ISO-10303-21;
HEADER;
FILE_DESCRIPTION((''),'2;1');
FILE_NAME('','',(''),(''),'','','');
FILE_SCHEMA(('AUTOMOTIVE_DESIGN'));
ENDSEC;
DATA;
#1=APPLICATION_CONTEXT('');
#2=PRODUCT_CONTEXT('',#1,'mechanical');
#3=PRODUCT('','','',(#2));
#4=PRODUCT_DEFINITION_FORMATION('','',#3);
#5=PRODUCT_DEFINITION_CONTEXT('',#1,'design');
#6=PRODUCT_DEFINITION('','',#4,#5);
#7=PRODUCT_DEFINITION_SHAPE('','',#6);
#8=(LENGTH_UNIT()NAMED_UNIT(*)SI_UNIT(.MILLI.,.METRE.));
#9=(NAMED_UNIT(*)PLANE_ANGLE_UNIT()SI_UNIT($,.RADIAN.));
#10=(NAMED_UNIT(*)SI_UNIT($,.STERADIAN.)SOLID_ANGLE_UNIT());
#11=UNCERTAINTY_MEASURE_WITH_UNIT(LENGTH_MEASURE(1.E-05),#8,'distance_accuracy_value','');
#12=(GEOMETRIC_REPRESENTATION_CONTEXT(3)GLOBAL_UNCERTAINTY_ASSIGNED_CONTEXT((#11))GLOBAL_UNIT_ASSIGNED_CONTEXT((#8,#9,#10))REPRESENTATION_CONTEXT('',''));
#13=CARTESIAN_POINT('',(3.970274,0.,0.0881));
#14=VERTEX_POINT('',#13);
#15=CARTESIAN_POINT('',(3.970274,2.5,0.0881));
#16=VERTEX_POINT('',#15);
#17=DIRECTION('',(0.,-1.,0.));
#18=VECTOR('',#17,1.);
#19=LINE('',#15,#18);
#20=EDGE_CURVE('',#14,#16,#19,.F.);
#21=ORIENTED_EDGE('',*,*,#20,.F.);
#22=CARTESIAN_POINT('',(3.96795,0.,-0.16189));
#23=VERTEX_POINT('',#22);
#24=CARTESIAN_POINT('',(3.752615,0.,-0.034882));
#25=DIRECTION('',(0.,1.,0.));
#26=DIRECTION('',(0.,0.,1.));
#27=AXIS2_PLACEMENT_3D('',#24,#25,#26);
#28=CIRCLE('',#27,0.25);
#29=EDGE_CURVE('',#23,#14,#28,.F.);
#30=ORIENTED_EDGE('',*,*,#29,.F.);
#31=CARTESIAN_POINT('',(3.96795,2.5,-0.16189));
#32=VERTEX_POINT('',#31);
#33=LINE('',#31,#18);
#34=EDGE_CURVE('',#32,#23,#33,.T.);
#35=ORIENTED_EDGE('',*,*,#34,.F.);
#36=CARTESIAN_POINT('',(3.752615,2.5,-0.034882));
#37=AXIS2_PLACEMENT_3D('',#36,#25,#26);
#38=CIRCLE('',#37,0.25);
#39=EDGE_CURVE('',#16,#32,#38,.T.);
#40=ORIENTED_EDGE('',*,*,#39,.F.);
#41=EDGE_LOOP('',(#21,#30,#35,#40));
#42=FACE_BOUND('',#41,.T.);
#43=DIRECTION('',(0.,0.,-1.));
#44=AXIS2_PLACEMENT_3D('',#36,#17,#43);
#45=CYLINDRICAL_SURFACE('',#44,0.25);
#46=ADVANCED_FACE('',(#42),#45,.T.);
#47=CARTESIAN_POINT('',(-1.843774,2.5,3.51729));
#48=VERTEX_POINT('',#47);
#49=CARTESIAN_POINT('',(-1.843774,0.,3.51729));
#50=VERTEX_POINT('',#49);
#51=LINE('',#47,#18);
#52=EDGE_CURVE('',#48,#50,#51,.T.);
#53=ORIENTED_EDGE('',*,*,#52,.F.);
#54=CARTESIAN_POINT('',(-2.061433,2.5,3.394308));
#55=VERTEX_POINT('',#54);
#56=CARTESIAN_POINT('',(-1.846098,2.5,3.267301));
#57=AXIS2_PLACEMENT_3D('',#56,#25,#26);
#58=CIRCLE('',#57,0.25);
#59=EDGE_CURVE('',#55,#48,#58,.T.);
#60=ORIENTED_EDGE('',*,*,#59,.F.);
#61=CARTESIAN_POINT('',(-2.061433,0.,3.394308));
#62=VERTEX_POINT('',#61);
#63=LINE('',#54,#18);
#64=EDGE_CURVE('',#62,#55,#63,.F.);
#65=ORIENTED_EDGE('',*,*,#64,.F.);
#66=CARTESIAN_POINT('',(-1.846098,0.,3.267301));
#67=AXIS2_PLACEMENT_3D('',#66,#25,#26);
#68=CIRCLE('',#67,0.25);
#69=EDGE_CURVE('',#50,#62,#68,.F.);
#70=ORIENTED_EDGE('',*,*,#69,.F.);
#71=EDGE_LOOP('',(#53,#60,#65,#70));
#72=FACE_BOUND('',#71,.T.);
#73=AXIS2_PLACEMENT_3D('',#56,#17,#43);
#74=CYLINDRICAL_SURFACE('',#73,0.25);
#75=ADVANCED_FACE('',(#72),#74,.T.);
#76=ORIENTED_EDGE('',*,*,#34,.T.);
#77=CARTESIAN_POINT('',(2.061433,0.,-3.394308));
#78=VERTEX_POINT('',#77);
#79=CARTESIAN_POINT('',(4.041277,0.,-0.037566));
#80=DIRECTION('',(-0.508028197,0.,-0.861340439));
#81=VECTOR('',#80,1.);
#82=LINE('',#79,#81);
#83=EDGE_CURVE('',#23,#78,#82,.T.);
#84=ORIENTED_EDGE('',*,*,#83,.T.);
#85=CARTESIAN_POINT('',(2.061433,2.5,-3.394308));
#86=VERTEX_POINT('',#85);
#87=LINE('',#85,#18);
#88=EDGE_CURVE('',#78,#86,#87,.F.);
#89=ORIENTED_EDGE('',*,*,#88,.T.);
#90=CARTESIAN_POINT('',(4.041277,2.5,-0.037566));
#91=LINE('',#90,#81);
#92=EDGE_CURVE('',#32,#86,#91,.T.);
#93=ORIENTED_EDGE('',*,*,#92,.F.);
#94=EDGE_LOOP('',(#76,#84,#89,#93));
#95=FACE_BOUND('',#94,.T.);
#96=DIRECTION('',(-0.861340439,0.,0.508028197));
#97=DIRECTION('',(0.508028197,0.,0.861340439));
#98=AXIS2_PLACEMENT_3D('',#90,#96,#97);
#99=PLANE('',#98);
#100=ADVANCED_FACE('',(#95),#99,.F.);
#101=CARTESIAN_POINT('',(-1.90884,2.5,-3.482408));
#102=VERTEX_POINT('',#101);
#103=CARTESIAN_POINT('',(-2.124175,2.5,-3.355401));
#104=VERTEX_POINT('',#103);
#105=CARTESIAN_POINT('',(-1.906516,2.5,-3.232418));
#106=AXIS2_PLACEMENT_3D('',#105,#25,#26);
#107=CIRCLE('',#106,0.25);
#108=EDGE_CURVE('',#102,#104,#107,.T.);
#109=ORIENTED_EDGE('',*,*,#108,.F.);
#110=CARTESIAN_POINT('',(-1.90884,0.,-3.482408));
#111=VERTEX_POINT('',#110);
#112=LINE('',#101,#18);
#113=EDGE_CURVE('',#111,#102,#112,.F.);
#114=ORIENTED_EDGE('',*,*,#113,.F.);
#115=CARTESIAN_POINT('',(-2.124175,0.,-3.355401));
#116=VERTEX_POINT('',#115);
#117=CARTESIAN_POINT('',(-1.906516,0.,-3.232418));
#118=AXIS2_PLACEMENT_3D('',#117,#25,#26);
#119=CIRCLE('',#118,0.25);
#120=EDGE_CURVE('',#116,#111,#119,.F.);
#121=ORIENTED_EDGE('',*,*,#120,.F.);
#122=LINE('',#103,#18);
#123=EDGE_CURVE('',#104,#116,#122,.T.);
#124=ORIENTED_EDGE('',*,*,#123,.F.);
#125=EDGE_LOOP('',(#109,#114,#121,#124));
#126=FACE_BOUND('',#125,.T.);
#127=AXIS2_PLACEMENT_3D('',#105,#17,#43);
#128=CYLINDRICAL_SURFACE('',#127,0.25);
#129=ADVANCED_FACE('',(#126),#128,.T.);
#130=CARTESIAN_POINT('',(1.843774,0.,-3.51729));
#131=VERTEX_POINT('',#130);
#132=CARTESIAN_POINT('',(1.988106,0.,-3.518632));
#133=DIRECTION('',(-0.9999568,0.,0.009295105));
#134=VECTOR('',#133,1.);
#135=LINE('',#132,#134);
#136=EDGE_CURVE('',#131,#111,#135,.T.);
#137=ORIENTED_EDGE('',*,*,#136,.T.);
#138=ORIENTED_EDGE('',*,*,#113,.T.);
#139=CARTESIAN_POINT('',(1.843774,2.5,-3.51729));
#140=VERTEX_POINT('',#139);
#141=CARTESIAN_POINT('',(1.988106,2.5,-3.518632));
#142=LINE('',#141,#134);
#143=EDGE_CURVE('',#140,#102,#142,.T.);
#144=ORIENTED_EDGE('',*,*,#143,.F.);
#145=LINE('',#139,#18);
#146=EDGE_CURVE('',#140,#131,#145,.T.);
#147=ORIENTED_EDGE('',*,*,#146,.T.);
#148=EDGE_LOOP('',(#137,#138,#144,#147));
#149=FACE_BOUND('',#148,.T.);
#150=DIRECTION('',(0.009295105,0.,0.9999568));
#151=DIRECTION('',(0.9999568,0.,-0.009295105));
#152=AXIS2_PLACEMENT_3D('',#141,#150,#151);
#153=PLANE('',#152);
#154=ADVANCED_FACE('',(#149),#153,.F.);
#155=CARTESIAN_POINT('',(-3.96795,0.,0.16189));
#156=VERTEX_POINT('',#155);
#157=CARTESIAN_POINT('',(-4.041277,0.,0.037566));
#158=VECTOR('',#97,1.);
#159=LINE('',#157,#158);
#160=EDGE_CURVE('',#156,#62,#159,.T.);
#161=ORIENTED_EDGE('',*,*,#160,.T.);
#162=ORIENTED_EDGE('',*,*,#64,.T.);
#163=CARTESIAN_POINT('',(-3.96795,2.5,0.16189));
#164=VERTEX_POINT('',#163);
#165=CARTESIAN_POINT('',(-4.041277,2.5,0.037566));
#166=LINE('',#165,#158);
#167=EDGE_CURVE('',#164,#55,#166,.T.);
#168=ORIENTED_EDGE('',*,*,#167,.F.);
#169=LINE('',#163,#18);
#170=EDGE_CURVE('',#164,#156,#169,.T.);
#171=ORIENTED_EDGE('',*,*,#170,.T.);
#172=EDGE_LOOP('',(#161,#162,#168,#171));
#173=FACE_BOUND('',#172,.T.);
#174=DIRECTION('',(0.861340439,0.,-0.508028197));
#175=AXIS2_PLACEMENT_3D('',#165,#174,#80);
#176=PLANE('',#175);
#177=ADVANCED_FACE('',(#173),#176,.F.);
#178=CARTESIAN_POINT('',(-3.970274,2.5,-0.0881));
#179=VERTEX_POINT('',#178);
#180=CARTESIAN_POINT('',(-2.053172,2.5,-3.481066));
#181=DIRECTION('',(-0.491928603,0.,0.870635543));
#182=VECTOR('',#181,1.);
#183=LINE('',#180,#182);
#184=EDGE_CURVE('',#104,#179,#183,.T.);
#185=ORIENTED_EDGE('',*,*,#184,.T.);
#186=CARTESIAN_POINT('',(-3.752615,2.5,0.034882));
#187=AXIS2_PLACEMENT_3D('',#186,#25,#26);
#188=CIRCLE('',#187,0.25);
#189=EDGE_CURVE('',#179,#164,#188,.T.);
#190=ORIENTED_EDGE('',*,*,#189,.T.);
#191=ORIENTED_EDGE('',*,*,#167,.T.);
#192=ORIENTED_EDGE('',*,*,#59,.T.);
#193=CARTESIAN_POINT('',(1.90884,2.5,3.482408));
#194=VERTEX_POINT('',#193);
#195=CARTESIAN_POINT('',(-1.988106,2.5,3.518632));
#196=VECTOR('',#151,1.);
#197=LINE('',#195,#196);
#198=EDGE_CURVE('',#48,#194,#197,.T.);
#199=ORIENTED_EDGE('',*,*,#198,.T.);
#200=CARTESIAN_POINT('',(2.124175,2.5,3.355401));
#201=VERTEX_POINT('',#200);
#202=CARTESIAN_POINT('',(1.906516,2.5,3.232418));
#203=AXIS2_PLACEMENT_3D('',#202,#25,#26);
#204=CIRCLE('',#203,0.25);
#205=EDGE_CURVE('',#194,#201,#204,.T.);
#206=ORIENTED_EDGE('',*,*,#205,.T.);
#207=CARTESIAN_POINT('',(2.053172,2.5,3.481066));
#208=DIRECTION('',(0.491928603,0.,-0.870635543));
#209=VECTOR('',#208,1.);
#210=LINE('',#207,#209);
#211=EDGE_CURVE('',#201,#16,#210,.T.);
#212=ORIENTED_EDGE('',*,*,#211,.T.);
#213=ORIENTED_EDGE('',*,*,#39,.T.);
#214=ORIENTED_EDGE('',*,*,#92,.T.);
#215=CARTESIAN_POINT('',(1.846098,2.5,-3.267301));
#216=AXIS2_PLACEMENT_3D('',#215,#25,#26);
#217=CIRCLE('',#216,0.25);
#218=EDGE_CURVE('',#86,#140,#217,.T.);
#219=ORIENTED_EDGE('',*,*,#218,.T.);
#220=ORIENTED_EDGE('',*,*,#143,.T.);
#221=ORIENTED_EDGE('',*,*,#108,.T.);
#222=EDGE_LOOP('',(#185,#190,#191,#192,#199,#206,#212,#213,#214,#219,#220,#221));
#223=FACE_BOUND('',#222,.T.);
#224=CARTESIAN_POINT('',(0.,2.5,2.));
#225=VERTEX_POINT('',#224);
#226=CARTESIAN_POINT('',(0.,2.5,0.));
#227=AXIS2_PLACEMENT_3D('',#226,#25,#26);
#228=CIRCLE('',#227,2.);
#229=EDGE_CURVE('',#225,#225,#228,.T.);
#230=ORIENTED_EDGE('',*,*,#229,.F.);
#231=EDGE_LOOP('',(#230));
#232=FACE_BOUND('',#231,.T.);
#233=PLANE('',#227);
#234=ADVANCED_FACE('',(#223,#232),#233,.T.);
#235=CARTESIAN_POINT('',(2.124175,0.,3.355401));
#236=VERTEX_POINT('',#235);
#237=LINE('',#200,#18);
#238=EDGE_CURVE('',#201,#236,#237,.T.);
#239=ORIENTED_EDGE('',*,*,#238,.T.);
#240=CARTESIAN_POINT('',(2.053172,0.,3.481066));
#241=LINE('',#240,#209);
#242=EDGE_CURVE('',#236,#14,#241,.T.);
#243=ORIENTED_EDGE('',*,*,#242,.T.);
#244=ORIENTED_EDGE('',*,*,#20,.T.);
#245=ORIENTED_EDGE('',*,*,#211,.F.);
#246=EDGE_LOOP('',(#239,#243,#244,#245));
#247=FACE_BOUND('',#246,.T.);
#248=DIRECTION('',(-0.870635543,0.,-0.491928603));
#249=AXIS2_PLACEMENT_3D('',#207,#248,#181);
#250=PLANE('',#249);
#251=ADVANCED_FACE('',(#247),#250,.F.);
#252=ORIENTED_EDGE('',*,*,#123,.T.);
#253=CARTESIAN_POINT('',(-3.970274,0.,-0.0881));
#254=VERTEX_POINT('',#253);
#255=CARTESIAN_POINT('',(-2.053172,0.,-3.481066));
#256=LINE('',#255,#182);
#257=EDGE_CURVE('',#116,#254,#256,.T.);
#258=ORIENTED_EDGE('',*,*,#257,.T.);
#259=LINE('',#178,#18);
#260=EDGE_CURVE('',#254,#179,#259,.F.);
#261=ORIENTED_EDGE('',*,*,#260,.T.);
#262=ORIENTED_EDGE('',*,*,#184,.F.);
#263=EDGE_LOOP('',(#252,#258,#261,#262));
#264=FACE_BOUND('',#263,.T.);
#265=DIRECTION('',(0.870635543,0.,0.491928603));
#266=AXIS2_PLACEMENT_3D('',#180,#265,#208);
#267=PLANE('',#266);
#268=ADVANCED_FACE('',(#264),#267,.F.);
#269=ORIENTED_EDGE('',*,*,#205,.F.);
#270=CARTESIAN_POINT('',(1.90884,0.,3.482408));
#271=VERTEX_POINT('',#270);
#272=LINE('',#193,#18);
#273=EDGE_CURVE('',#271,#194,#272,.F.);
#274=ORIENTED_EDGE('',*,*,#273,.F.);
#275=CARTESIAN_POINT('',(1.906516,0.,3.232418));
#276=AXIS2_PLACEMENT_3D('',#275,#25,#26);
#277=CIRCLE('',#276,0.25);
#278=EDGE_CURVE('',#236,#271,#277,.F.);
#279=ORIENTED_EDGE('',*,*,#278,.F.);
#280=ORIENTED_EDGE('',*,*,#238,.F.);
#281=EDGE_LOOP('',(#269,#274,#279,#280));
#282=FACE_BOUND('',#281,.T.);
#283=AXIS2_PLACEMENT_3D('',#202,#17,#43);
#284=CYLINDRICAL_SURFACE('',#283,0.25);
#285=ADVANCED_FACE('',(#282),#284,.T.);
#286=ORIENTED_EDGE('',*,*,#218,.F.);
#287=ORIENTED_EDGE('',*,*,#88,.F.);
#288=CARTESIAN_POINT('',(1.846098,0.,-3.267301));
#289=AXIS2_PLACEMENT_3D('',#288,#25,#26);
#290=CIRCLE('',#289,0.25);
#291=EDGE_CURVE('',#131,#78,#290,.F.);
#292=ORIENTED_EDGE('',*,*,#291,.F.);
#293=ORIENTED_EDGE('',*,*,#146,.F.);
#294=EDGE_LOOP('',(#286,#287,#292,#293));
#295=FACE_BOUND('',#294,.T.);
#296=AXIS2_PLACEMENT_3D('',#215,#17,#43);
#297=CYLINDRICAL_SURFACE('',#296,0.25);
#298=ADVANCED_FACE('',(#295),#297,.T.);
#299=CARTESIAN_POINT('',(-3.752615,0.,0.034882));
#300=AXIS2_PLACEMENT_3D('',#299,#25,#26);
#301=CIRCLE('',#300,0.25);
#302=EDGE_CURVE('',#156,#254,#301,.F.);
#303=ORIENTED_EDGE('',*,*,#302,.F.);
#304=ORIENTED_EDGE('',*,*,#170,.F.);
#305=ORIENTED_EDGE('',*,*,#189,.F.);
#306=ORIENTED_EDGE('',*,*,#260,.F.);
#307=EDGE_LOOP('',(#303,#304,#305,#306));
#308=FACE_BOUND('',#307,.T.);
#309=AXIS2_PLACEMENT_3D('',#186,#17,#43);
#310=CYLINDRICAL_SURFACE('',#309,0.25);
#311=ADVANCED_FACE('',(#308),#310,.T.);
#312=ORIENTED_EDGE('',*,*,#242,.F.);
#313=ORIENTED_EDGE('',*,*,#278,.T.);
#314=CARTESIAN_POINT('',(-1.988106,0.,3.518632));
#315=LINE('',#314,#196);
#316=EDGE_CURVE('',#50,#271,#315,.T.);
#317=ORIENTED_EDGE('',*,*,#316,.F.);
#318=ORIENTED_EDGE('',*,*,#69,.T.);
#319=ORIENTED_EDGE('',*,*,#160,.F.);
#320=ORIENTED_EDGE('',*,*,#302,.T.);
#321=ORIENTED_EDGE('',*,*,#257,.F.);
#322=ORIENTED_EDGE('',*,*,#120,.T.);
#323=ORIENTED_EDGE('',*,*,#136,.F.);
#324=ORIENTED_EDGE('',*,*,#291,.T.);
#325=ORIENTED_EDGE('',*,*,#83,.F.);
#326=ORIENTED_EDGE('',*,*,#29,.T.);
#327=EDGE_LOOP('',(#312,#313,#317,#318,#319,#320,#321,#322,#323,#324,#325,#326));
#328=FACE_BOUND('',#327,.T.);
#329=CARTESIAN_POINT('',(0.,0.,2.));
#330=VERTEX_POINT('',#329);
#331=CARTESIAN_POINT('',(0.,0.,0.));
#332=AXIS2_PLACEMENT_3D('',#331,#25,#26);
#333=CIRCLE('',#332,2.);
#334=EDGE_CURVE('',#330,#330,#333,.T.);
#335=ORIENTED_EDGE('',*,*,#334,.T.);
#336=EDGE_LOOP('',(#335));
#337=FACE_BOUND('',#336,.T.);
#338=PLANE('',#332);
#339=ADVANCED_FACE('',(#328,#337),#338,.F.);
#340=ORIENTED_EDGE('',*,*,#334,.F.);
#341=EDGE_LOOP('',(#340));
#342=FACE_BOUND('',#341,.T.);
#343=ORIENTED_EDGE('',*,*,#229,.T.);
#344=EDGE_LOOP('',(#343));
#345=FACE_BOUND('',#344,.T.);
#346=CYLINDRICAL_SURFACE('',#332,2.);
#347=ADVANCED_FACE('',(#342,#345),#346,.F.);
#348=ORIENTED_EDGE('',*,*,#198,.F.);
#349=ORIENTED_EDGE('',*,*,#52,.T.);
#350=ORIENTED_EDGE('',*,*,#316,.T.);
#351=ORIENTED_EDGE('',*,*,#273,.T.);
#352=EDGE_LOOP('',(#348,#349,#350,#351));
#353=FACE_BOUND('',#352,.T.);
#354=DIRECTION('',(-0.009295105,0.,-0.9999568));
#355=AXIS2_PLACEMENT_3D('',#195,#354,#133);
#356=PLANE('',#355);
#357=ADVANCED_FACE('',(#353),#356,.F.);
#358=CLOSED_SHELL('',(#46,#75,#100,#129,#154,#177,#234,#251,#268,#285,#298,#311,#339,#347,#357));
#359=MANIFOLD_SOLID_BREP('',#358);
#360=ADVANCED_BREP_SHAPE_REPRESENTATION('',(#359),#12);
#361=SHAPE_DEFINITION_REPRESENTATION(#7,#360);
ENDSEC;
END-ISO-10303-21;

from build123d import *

# Parameters (mm, degrees)
BOSS_EXTRUDE1_DEPTH = 2.5
SKETCH2_R           = 2
CUT_EXTRUDE1_DEPTH  = 6.912925747
FILLET1_R           = 0.25


with BuildPart() as part:
    # Sketch1 → Boss-Extrude1 (new body)
    with BuildSketch(Plane(origin=(0, 0, 0), x_dir=(1, 0, 0), z_dir=(0, 1, 0))):
        Polygon((1.98810578, 3.518631658), (-2.053171512, 3.481065939), (-4.041277292, -0.037565718), (-1.98810578, -3.518631658), (2.053171512, -3.481065939), (4.041277292, 0.037565718), align=None)
    extrude(amount=BOSS_EXTRUDE1_DEPTH)

    # Sketch2 → Cut-Extrude1 (cut, through all)
    with BuildSketch(Plane(origin=(0, 2.5, 0), x_dir=(1, 0, 0), z_dir=(0, 1, 0))):
        Circle(SKETCH2_R)
    extrude(amount=-CUT_EXTRUDE1_DEPTH, mode=Mode.SUBTRACT)

    # Fillet1
    fillet1_edges = [part.edges().sort_by_distance(p)[0] for p in [
        (2.053171512, 1.25, 3.481065939),
        (4.041277292, 1.25, -0.037565718),
        (1.98810578, 1.25, -3.518631658),
        (-2.053171512, 1.25, -3.481065939),
        (-4.041277292, 1.25, 0.037565718),
        (-1.98810578, 1.25, 3.518631658),
    ]]
    fillet(fillet1_edges, radius=FILLET1_R)


solid = part.part
